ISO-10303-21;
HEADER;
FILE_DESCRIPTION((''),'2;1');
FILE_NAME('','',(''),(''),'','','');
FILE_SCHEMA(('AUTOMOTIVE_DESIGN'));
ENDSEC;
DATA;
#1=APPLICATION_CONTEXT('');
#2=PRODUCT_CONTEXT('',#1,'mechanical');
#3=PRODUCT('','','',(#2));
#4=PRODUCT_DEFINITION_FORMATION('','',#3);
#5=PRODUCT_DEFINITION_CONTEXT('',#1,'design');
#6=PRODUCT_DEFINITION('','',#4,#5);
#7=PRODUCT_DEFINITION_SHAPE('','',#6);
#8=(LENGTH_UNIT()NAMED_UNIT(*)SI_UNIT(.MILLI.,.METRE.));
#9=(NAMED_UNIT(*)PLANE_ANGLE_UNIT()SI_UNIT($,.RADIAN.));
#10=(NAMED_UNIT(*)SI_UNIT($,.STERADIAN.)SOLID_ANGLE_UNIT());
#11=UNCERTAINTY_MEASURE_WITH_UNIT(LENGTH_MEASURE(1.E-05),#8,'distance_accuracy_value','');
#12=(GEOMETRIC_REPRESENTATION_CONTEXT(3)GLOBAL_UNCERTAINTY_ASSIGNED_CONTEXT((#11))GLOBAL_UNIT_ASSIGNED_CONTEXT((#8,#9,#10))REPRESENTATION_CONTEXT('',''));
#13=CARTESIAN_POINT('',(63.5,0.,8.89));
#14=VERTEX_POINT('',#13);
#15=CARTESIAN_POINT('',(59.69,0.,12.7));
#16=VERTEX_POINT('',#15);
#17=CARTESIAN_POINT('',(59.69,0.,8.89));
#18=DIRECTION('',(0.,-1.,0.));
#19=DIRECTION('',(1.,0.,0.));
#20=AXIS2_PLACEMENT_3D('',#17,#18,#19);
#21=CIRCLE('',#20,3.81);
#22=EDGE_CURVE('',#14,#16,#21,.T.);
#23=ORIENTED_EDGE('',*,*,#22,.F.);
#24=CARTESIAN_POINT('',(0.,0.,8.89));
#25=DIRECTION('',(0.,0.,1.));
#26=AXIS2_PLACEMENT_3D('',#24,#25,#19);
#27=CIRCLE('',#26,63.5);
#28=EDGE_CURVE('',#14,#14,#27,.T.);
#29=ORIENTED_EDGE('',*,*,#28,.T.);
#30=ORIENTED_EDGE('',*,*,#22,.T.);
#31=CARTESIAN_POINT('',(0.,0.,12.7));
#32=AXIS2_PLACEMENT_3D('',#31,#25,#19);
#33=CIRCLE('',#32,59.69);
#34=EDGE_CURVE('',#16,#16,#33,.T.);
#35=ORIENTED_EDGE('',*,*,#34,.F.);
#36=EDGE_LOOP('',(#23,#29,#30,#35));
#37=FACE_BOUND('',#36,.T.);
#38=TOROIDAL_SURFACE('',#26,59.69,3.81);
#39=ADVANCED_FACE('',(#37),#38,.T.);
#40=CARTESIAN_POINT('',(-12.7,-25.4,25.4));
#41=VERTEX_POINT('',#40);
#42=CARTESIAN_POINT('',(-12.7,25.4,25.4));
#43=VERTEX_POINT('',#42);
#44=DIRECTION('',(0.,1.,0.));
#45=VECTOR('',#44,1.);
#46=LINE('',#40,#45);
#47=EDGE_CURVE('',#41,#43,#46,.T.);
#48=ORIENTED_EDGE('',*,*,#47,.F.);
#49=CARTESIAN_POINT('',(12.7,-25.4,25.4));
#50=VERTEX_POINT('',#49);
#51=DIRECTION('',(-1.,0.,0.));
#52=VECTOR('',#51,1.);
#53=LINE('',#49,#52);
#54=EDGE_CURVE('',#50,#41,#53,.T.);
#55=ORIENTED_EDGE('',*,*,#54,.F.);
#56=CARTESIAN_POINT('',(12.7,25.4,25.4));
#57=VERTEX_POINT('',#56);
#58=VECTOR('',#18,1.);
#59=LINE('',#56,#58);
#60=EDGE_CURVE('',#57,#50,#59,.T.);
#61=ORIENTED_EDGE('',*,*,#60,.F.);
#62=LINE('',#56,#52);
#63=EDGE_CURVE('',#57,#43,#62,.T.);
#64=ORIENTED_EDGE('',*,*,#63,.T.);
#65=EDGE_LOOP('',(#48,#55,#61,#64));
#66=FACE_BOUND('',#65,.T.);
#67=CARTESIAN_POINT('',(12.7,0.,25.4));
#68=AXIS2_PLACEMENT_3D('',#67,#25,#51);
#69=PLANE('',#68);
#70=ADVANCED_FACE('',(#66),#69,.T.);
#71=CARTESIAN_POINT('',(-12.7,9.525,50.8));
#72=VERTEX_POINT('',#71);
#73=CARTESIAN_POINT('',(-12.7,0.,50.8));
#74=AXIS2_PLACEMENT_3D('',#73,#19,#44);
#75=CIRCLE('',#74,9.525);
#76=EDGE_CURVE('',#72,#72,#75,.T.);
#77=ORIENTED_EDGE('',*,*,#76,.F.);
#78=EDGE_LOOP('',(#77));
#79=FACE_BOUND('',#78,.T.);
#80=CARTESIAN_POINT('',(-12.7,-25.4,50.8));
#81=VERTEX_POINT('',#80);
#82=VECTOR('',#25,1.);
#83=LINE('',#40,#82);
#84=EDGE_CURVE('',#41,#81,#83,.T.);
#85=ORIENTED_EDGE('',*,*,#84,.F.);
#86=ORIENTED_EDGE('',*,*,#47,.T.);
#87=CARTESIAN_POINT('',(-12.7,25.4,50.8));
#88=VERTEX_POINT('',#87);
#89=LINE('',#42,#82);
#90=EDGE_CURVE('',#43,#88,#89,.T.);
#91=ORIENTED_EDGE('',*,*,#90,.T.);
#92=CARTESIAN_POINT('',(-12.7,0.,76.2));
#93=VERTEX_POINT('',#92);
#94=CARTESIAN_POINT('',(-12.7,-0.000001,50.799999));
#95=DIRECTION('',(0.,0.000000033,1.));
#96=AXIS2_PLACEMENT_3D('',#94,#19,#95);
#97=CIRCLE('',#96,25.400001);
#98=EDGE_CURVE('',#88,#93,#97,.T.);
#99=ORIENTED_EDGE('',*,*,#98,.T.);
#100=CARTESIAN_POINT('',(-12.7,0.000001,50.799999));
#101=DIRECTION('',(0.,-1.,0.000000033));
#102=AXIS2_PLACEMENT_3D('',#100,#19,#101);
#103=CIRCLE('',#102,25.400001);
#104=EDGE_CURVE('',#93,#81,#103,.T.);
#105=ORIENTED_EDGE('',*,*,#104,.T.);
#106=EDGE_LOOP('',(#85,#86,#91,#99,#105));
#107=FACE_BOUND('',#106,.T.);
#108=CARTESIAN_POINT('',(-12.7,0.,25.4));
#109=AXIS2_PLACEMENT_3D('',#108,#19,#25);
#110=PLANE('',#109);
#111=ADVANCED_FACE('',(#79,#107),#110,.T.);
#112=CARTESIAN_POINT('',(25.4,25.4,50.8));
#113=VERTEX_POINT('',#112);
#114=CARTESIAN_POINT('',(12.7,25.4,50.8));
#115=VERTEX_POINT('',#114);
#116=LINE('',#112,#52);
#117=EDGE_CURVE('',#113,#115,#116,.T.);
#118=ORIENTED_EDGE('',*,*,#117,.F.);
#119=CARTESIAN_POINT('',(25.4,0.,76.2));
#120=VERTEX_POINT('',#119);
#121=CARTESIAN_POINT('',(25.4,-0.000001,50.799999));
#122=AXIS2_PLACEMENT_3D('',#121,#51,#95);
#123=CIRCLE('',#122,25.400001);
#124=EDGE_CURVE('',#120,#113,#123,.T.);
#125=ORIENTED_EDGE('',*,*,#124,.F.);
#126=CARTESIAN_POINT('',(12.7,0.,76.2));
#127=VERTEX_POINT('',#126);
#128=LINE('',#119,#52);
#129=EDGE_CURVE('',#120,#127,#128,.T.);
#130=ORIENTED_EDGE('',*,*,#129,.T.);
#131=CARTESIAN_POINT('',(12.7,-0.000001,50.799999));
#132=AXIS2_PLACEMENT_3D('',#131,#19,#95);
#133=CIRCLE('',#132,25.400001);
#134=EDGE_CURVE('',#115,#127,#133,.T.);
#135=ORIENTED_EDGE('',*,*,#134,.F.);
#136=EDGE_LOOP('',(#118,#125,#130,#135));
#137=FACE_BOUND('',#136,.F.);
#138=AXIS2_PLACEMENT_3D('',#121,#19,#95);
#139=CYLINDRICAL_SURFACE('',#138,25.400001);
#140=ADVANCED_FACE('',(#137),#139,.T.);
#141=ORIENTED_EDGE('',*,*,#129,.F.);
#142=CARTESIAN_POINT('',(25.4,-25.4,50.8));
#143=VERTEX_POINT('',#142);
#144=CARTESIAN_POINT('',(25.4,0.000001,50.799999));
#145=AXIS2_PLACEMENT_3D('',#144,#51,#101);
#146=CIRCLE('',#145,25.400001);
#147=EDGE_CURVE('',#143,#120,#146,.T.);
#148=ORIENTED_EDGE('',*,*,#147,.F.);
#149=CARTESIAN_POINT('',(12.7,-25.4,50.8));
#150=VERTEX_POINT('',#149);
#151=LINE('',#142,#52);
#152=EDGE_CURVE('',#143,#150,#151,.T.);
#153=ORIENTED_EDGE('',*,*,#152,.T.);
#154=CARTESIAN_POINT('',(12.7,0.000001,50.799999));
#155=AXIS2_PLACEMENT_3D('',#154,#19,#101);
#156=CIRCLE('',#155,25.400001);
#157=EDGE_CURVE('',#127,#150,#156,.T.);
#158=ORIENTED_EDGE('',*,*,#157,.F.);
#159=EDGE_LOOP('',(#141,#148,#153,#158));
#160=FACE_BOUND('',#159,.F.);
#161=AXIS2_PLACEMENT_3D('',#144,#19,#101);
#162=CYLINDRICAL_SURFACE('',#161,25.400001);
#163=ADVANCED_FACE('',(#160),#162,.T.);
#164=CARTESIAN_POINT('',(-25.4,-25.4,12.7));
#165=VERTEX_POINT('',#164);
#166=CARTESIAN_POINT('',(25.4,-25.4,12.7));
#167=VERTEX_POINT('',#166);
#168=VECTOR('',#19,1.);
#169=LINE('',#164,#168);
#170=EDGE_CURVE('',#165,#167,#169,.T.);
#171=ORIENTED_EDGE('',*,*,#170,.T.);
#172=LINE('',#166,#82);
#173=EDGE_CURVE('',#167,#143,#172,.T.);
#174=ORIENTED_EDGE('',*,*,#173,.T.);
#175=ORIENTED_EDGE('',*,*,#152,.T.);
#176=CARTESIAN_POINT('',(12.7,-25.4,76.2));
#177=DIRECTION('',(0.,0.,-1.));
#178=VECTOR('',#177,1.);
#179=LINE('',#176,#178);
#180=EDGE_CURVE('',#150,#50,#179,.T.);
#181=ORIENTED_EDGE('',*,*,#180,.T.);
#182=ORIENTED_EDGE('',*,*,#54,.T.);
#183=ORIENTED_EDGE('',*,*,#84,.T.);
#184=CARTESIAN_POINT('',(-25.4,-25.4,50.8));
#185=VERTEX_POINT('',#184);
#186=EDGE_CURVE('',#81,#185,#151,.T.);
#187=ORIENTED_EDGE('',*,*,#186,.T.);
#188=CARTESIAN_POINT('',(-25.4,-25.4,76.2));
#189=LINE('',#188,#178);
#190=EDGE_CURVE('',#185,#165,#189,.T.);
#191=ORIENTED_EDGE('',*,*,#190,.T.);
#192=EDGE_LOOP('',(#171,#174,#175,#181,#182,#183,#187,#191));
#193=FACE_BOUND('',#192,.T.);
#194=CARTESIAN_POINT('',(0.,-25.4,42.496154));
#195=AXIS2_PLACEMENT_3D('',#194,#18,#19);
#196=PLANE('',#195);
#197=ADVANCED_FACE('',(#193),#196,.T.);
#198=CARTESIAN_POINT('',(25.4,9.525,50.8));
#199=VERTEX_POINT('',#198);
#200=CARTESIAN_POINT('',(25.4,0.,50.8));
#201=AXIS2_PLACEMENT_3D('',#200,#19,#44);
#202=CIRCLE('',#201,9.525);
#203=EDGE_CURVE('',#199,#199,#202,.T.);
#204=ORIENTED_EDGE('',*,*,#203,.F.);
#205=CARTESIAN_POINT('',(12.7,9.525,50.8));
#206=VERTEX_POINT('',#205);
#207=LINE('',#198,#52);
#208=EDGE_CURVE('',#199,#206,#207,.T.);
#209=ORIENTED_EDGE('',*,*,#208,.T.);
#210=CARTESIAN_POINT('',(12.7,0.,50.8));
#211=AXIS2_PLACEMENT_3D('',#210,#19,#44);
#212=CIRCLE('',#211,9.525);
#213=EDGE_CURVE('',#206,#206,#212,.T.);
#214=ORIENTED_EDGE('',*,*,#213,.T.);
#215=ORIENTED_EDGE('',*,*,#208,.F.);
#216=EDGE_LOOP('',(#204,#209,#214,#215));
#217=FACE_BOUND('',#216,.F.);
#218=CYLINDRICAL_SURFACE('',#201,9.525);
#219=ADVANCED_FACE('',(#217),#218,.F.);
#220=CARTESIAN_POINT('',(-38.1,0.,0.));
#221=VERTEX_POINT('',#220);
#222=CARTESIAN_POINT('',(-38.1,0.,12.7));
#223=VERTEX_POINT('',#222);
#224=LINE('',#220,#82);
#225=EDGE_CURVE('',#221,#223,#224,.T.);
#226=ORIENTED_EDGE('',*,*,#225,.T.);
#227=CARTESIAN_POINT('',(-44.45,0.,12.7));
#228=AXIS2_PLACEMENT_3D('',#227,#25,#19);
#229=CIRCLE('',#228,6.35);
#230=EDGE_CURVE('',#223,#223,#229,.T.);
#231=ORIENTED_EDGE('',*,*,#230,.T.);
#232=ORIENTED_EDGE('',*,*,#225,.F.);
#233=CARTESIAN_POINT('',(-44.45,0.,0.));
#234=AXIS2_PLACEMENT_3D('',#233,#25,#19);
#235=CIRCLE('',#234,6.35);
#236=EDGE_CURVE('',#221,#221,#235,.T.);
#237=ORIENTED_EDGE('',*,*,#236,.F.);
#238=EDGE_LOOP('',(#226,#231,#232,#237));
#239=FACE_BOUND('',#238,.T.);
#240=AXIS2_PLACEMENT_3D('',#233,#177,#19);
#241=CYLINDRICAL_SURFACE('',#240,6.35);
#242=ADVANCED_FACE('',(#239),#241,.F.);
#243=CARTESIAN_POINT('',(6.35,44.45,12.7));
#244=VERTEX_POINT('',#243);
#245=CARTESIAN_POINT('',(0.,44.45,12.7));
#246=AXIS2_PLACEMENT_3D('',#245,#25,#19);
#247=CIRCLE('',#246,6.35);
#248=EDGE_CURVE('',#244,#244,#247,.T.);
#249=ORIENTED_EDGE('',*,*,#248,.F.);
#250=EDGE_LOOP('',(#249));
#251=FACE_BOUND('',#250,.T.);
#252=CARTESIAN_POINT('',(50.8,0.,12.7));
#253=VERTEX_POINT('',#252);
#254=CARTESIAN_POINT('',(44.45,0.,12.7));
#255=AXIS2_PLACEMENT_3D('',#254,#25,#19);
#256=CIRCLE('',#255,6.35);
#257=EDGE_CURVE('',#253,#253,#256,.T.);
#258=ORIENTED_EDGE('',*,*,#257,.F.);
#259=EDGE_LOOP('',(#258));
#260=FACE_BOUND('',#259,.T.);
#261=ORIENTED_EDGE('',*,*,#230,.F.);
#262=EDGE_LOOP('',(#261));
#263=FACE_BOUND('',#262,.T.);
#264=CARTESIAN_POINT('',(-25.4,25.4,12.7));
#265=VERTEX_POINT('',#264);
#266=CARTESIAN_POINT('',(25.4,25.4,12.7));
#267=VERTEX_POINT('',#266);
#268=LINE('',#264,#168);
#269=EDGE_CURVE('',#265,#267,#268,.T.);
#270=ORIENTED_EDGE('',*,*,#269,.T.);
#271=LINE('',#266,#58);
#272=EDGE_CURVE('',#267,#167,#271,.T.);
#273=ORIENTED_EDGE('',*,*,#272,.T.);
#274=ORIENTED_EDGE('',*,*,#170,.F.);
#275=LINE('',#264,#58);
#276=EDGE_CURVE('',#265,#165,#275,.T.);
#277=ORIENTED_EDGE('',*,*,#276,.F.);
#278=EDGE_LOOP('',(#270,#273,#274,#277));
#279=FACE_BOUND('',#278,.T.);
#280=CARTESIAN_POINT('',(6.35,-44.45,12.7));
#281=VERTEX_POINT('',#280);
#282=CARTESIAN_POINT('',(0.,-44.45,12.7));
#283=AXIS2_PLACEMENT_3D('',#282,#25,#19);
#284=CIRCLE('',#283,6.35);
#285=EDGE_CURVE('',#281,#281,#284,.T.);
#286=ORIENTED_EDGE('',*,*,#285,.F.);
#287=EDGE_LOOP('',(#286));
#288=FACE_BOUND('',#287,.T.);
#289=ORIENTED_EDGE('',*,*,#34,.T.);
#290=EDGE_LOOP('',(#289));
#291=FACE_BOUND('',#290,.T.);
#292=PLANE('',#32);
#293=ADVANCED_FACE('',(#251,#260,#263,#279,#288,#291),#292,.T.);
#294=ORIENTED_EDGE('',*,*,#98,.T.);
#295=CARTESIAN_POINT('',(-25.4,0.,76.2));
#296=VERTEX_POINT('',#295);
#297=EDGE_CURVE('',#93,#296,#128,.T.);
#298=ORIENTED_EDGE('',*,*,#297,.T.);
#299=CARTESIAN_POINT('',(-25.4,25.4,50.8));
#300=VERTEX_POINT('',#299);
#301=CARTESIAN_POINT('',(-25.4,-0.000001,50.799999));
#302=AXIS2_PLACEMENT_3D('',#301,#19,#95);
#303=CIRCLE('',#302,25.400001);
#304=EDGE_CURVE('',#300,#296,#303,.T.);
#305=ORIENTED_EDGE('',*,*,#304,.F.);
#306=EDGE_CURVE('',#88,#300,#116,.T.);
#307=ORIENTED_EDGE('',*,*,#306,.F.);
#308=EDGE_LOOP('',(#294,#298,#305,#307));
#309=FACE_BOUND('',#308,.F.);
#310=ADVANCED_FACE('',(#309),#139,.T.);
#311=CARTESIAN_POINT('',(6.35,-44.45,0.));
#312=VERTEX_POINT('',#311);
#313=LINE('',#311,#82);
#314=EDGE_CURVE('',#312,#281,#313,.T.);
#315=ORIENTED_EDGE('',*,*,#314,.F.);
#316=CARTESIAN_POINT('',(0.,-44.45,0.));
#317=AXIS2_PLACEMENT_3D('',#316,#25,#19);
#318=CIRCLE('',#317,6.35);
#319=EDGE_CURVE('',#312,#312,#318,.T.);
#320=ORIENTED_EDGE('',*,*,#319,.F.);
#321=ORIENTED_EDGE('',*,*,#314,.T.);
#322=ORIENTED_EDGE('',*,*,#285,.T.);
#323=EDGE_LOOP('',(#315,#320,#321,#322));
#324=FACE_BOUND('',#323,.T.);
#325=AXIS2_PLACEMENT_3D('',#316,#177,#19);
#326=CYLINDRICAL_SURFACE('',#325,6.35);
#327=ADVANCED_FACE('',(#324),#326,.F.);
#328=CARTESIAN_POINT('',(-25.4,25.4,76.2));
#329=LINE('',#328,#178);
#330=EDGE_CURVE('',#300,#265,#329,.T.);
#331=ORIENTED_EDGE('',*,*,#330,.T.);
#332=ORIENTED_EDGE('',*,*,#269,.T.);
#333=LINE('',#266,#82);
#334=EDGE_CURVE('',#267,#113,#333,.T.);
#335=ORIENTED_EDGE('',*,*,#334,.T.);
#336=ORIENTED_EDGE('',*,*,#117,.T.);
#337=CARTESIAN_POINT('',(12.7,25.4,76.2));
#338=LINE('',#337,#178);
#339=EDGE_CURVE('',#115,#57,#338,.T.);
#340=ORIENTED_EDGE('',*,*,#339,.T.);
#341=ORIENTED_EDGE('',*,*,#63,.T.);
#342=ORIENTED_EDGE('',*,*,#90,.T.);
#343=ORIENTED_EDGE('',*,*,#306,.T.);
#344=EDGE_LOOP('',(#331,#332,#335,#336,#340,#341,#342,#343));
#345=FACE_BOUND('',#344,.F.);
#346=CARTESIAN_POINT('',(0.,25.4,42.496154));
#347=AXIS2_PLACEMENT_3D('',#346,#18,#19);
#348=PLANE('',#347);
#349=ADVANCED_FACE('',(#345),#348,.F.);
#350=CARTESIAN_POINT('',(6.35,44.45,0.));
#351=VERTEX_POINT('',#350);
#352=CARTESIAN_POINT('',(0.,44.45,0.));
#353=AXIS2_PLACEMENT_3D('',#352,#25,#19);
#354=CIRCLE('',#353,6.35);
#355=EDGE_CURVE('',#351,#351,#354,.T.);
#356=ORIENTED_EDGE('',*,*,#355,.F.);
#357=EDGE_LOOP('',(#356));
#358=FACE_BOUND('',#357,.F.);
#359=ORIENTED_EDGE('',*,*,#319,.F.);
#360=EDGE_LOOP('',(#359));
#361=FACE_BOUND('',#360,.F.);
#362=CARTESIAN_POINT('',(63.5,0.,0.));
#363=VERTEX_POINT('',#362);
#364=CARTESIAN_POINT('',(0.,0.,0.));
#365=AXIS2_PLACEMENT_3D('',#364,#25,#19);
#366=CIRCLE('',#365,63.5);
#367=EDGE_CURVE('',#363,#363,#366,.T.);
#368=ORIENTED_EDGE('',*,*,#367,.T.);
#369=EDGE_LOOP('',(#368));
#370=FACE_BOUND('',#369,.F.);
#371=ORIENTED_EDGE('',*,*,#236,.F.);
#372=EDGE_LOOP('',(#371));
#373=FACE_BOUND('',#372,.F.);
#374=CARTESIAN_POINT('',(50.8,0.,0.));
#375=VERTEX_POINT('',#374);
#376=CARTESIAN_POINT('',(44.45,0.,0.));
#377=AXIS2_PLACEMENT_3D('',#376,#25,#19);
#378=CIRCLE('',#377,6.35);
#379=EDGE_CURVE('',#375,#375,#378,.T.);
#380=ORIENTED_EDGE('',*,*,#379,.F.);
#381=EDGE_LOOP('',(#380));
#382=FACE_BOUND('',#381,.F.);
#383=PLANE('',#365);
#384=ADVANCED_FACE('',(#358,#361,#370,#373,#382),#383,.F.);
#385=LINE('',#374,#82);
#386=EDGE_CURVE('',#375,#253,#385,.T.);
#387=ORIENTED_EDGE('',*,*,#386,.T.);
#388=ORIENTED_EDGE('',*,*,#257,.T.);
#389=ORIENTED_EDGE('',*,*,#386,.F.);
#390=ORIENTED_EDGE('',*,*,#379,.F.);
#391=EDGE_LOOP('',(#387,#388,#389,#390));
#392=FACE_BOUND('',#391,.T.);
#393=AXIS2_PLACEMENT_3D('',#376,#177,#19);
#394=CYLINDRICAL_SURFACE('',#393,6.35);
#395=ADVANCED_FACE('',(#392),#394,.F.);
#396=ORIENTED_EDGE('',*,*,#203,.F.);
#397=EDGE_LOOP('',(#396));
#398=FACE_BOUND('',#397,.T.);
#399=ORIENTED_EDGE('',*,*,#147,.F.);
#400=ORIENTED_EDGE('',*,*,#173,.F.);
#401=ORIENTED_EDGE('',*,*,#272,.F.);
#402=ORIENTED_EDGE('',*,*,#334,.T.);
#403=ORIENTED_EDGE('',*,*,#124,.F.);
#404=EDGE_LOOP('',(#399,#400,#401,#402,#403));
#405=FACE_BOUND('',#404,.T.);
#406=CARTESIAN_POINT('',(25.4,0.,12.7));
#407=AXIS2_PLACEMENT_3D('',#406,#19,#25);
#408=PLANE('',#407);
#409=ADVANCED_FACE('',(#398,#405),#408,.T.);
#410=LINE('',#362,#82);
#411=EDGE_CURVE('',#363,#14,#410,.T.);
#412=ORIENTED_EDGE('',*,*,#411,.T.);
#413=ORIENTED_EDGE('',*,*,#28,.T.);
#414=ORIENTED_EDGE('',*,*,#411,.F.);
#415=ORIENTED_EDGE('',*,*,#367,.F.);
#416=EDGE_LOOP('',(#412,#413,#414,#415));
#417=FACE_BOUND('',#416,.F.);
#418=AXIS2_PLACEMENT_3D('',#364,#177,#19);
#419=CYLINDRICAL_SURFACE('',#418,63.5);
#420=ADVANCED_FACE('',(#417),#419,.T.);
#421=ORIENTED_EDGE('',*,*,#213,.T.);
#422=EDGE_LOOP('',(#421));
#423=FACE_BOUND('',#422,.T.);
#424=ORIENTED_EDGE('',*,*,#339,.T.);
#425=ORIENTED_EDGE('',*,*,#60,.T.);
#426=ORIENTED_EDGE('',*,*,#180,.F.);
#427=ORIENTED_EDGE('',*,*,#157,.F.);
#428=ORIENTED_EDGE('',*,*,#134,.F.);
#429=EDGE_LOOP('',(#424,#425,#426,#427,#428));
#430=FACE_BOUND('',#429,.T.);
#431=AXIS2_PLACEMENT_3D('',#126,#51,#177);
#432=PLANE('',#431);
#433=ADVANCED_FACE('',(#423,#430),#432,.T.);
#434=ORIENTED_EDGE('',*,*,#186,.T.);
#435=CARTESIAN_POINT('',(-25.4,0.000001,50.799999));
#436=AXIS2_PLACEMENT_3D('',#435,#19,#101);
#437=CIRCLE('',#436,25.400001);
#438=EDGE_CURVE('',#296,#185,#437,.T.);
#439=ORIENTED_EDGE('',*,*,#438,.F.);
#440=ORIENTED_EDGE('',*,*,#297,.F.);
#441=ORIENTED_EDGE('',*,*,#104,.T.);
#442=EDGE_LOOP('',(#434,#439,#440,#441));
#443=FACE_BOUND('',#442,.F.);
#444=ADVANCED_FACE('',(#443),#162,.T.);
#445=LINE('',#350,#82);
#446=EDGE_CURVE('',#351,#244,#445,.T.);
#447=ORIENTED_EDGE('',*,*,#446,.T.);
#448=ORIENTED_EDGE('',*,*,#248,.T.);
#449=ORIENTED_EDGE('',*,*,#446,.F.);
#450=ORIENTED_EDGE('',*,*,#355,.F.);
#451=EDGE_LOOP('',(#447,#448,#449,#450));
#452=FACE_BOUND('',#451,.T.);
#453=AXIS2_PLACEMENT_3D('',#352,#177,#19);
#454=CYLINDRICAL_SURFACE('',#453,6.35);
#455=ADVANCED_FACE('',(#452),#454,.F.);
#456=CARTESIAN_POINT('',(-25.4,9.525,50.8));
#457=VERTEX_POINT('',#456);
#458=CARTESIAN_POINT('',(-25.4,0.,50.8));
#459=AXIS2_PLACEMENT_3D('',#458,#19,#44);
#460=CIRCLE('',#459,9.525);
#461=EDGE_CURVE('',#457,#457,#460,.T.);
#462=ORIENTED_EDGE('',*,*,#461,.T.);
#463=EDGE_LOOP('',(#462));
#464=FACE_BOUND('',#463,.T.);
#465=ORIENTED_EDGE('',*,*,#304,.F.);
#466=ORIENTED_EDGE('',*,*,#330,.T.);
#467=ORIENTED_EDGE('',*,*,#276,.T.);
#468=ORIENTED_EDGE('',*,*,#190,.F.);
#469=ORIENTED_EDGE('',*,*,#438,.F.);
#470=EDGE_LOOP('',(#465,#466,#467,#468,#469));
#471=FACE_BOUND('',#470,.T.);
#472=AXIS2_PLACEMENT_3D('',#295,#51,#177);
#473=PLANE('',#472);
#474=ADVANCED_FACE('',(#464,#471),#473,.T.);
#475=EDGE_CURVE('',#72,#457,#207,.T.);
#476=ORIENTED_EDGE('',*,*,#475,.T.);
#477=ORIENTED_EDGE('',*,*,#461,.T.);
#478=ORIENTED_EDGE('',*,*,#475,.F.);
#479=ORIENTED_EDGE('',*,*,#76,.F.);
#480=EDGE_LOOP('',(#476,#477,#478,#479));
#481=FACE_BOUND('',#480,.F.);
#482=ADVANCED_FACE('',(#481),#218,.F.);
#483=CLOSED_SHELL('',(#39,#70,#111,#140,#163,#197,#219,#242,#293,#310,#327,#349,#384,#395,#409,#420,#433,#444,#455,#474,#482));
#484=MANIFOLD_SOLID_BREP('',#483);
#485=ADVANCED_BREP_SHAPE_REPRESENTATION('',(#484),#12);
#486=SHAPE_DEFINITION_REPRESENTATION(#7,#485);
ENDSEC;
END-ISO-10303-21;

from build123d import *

# Parameters (mm, degrees)
F0_R     = 63.5
F0_R_2   = 6.35
F1_DEPTH = 12.7
F2_R     = 3.81
F4_DEPTH = 25.4
F5_R     = 9.525
F6_DEPTH = 88.901


with BuildPart() as f1:
    # F0 (on Top) → F1 (new body)
    with BuildSketch(Plane.XY):
        Circle(F0_R)
        with Locations((0, -44.45)):
            Circle(F0_R_2, mode=Mode.SUBTRACT)
        with Locations((-44.45, 0)):
            Circle(F0_R_2, mode=Mode.SUBTRACT)
        with Locations((44.45, 0)):
            Circle(F0_R_2, mode=Mode.SUBTRACT)
        with Locations((0, 44.45)):
            Circle(F0_R_2, mode=Mode.SUBTRACT)
    extrude(amount=F1_DEPTH)

    # F2
    f2_edges = [f1.edges().sort_by_distance(p)[0] for p in [
        (-63.5, 0, 12.7),
    ]]
    fillet(f2_edges, radius=F2_R)

    # F3 (on Front) → F4 (join, symmetric)
    with BuildSketch(Plane.XZ):
        Polygon((-25.4, 76.2), (-25.4, 12.7), (25.4, 12.7), (25.4, 76.2), (12.7, 76.2), (12.7, 25.4), (-12.7, 25.4), (-12.7, 76.2), align=None)
    extrude(amount=F4_DEPTH, both=True)

    # F5 (on face) → F6 (cut, through all)
    with BuildSketch(Plane.YZ.offset(25.4)):
        with Locations((0, 50.8)):
            Circle(F5_R)
        with BuildLine():
            ThreePointArc((0, 76.2), (17.960512, 68.760512), (25.4, 50.8))
            Line((25.4, 50.8), (25.4, 76.2))
            Line((25.4, 76.2), (0, 76.2))
        make_face()
        with BuildLine():
            ThreePointArc((-25.4, 50.8), (-17.960512, 68.760512), (0, 76.2))
            Line((0, 76.2), (-25.4, 76.2))
            Line((-25.4, 76.2), (-25.4, 50.8))
        make_face()
    extrude(amount=-F6_DEPTH, mode=Mode.SUBTRACT)


solid = f1.part
